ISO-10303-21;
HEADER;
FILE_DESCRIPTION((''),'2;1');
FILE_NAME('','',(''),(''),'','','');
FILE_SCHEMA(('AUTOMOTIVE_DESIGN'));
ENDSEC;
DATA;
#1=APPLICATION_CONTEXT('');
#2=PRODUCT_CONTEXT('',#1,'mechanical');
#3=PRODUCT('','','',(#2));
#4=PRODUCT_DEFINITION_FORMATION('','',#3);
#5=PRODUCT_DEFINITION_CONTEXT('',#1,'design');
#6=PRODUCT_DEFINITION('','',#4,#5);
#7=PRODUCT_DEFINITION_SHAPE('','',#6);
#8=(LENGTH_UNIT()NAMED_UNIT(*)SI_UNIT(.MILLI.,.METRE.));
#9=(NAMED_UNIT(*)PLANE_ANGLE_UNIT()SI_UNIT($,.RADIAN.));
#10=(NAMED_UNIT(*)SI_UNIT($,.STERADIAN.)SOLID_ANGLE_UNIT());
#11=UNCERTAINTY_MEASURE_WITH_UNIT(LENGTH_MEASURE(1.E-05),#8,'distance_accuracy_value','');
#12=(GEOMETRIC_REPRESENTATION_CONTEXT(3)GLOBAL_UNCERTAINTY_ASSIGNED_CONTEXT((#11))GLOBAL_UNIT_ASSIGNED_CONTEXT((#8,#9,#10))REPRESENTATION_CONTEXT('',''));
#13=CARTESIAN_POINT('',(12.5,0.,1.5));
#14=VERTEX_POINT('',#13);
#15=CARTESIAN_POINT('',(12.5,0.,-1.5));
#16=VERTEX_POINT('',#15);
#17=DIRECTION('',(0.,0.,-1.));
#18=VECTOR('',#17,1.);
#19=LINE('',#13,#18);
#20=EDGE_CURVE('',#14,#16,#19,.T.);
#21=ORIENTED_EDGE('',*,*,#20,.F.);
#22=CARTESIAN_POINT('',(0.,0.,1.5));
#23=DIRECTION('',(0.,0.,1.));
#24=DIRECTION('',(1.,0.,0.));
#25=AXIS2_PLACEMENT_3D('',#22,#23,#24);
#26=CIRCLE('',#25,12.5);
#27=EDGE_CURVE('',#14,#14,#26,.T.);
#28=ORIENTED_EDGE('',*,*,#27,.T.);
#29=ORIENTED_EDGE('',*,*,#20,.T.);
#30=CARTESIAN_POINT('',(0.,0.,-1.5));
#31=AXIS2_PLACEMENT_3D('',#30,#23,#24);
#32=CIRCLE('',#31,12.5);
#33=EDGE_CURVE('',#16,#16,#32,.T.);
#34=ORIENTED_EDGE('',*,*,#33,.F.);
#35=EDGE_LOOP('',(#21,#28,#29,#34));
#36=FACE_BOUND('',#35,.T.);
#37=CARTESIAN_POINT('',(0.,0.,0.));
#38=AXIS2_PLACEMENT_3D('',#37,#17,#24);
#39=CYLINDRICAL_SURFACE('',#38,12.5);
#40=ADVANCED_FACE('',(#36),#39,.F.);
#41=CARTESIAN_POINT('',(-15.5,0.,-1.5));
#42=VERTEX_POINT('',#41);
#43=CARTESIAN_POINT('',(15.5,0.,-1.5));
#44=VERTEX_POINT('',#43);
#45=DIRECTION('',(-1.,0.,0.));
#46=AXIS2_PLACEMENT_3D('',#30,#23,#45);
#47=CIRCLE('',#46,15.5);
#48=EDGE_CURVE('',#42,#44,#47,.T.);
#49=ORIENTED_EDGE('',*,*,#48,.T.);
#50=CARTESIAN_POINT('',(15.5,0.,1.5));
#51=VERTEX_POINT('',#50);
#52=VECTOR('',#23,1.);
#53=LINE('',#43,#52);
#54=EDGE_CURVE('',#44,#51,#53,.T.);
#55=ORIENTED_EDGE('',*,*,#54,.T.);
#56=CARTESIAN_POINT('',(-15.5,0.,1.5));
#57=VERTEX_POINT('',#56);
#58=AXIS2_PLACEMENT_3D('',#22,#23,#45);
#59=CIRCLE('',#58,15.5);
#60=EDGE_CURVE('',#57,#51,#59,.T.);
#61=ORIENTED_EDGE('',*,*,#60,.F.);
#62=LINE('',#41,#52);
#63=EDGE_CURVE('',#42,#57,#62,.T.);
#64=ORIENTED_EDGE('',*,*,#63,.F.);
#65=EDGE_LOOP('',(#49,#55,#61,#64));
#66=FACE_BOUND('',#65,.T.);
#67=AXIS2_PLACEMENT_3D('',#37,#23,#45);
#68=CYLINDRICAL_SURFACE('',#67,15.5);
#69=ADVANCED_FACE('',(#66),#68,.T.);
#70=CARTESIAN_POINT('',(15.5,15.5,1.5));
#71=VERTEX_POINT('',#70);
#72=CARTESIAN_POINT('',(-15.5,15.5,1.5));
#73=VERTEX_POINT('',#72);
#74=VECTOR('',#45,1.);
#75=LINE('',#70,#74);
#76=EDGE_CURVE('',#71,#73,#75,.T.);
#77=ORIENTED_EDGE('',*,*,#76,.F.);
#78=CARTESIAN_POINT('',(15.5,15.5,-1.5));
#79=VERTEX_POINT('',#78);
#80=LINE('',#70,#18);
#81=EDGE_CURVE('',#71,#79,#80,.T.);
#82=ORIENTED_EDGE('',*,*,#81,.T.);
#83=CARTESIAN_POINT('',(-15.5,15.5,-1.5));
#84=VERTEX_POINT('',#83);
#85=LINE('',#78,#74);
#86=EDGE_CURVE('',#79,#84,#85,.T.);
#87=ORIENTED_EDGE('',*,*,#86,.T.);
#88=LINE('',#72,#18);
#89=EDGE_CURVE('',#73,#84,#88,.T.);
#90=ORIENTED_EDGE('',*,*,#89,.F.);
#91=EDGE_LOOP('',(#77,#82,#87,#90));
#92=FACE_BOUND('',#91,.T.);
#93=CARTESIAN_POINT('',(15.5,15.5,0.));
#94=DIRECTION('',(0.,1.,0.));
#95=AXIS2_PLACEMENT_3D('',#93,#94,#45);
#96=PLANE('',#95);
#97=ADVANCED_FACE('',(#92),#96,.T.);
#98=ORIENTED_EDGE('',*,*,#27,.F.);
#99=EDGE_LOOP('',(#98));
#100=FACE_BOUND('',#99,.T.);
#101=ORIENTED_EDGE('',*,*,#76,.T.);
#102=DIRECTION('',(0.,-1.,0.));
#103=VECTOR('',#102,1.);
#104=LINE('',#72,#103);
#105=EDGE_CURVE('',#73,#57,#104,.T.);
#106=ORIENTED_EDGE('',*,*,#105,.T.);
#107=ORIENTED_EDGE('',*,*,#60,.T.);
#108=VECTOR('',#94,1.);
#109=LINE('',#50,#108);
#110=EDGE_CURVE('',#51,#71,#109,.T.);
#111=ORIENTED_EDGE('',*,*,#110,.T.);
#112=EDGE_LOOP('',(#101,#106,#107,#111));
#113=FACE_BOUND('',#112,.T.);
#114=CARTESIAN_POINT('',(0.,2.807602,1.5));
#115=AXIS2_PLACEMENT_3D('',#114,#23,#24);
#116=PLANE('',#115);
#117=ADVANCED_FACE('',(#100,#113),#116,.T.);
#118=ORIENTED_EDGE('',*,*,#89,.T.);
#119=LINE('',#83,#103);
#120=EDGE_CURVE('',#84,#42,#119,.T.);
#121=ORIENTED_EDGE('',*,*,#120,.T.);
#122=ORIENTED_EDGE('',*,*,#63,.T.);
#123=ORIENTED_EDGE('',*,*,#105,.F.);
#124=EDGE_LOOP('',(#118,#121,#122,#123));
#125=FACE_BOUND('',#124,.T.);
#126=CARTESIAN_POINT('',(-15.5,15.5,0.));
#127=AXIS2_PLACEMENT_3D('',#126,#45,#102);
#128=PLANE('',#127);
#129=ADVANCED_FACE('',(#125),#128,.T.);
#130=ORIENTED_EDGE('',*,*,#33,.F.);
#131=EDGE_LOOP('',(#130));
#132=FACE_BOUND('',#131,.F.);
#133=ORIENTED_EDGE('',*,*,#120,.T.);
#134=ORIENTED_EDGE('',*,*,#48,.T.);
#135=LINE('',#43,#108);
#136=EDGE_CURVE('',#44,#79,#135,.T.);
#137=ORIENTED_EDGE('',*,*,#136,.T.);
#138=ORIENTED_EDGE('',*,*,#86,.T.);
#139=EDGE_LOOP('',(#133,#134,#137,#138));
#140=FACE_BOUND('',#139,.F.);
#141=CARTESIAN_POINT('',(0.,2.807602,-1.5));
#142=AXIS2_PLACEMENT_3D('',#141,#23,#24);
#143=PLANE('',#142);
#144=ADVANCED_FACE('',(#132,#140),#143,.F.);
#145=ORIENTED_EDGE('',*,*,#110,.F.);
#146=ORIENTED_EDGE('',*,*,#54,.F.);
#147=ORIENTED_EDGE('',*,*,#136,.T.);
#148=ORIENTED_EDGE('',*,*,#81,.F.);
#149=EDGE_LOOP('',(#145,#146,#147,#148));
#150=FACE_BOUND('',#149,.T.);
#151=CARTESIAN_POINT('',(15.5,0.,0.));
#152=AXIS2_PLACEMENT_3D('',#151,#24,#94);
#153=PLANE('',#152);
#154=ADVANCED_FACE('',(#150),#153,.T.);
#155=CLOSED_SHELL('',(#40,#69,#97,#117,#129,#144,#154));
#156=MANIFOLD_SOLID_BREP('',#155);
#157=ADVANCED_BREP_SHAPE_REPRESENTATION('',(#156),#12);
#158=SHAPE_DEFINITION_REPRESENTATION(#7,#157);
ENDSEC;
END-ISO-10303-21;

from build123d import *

# Parameters (mm, degrees)
F0_R     = 12.5
F1_DEPTH = 1.5


with BuildPart() as f1:
    # F0 (on Top) → F1 (new body, symmetric)
    with BuildSketch(Plane.XY):
        with BuildLine():
            Line((-15.5, 15.5), (-15.5, 0))
            ThreePointArc((-15.5, 0), (0, -15.5), (15.5, 0))
            Line((15.5, 0), (15.5, 15.5))
            Line((15.5, 15.5), (12.5, 15.5))
            Line((12.5, 15.5), (0, 15.5))
            Line((0, 15.5), (-12.5, 15.5))
            Line((-12.5, 15.5), (-15.5, 15.5))
        make_face()
        Circle(F0_R, mode=Mode.SUBTRACT)
    extrude(amount=F1_DEPTH, both=True)


solid = f1.part
